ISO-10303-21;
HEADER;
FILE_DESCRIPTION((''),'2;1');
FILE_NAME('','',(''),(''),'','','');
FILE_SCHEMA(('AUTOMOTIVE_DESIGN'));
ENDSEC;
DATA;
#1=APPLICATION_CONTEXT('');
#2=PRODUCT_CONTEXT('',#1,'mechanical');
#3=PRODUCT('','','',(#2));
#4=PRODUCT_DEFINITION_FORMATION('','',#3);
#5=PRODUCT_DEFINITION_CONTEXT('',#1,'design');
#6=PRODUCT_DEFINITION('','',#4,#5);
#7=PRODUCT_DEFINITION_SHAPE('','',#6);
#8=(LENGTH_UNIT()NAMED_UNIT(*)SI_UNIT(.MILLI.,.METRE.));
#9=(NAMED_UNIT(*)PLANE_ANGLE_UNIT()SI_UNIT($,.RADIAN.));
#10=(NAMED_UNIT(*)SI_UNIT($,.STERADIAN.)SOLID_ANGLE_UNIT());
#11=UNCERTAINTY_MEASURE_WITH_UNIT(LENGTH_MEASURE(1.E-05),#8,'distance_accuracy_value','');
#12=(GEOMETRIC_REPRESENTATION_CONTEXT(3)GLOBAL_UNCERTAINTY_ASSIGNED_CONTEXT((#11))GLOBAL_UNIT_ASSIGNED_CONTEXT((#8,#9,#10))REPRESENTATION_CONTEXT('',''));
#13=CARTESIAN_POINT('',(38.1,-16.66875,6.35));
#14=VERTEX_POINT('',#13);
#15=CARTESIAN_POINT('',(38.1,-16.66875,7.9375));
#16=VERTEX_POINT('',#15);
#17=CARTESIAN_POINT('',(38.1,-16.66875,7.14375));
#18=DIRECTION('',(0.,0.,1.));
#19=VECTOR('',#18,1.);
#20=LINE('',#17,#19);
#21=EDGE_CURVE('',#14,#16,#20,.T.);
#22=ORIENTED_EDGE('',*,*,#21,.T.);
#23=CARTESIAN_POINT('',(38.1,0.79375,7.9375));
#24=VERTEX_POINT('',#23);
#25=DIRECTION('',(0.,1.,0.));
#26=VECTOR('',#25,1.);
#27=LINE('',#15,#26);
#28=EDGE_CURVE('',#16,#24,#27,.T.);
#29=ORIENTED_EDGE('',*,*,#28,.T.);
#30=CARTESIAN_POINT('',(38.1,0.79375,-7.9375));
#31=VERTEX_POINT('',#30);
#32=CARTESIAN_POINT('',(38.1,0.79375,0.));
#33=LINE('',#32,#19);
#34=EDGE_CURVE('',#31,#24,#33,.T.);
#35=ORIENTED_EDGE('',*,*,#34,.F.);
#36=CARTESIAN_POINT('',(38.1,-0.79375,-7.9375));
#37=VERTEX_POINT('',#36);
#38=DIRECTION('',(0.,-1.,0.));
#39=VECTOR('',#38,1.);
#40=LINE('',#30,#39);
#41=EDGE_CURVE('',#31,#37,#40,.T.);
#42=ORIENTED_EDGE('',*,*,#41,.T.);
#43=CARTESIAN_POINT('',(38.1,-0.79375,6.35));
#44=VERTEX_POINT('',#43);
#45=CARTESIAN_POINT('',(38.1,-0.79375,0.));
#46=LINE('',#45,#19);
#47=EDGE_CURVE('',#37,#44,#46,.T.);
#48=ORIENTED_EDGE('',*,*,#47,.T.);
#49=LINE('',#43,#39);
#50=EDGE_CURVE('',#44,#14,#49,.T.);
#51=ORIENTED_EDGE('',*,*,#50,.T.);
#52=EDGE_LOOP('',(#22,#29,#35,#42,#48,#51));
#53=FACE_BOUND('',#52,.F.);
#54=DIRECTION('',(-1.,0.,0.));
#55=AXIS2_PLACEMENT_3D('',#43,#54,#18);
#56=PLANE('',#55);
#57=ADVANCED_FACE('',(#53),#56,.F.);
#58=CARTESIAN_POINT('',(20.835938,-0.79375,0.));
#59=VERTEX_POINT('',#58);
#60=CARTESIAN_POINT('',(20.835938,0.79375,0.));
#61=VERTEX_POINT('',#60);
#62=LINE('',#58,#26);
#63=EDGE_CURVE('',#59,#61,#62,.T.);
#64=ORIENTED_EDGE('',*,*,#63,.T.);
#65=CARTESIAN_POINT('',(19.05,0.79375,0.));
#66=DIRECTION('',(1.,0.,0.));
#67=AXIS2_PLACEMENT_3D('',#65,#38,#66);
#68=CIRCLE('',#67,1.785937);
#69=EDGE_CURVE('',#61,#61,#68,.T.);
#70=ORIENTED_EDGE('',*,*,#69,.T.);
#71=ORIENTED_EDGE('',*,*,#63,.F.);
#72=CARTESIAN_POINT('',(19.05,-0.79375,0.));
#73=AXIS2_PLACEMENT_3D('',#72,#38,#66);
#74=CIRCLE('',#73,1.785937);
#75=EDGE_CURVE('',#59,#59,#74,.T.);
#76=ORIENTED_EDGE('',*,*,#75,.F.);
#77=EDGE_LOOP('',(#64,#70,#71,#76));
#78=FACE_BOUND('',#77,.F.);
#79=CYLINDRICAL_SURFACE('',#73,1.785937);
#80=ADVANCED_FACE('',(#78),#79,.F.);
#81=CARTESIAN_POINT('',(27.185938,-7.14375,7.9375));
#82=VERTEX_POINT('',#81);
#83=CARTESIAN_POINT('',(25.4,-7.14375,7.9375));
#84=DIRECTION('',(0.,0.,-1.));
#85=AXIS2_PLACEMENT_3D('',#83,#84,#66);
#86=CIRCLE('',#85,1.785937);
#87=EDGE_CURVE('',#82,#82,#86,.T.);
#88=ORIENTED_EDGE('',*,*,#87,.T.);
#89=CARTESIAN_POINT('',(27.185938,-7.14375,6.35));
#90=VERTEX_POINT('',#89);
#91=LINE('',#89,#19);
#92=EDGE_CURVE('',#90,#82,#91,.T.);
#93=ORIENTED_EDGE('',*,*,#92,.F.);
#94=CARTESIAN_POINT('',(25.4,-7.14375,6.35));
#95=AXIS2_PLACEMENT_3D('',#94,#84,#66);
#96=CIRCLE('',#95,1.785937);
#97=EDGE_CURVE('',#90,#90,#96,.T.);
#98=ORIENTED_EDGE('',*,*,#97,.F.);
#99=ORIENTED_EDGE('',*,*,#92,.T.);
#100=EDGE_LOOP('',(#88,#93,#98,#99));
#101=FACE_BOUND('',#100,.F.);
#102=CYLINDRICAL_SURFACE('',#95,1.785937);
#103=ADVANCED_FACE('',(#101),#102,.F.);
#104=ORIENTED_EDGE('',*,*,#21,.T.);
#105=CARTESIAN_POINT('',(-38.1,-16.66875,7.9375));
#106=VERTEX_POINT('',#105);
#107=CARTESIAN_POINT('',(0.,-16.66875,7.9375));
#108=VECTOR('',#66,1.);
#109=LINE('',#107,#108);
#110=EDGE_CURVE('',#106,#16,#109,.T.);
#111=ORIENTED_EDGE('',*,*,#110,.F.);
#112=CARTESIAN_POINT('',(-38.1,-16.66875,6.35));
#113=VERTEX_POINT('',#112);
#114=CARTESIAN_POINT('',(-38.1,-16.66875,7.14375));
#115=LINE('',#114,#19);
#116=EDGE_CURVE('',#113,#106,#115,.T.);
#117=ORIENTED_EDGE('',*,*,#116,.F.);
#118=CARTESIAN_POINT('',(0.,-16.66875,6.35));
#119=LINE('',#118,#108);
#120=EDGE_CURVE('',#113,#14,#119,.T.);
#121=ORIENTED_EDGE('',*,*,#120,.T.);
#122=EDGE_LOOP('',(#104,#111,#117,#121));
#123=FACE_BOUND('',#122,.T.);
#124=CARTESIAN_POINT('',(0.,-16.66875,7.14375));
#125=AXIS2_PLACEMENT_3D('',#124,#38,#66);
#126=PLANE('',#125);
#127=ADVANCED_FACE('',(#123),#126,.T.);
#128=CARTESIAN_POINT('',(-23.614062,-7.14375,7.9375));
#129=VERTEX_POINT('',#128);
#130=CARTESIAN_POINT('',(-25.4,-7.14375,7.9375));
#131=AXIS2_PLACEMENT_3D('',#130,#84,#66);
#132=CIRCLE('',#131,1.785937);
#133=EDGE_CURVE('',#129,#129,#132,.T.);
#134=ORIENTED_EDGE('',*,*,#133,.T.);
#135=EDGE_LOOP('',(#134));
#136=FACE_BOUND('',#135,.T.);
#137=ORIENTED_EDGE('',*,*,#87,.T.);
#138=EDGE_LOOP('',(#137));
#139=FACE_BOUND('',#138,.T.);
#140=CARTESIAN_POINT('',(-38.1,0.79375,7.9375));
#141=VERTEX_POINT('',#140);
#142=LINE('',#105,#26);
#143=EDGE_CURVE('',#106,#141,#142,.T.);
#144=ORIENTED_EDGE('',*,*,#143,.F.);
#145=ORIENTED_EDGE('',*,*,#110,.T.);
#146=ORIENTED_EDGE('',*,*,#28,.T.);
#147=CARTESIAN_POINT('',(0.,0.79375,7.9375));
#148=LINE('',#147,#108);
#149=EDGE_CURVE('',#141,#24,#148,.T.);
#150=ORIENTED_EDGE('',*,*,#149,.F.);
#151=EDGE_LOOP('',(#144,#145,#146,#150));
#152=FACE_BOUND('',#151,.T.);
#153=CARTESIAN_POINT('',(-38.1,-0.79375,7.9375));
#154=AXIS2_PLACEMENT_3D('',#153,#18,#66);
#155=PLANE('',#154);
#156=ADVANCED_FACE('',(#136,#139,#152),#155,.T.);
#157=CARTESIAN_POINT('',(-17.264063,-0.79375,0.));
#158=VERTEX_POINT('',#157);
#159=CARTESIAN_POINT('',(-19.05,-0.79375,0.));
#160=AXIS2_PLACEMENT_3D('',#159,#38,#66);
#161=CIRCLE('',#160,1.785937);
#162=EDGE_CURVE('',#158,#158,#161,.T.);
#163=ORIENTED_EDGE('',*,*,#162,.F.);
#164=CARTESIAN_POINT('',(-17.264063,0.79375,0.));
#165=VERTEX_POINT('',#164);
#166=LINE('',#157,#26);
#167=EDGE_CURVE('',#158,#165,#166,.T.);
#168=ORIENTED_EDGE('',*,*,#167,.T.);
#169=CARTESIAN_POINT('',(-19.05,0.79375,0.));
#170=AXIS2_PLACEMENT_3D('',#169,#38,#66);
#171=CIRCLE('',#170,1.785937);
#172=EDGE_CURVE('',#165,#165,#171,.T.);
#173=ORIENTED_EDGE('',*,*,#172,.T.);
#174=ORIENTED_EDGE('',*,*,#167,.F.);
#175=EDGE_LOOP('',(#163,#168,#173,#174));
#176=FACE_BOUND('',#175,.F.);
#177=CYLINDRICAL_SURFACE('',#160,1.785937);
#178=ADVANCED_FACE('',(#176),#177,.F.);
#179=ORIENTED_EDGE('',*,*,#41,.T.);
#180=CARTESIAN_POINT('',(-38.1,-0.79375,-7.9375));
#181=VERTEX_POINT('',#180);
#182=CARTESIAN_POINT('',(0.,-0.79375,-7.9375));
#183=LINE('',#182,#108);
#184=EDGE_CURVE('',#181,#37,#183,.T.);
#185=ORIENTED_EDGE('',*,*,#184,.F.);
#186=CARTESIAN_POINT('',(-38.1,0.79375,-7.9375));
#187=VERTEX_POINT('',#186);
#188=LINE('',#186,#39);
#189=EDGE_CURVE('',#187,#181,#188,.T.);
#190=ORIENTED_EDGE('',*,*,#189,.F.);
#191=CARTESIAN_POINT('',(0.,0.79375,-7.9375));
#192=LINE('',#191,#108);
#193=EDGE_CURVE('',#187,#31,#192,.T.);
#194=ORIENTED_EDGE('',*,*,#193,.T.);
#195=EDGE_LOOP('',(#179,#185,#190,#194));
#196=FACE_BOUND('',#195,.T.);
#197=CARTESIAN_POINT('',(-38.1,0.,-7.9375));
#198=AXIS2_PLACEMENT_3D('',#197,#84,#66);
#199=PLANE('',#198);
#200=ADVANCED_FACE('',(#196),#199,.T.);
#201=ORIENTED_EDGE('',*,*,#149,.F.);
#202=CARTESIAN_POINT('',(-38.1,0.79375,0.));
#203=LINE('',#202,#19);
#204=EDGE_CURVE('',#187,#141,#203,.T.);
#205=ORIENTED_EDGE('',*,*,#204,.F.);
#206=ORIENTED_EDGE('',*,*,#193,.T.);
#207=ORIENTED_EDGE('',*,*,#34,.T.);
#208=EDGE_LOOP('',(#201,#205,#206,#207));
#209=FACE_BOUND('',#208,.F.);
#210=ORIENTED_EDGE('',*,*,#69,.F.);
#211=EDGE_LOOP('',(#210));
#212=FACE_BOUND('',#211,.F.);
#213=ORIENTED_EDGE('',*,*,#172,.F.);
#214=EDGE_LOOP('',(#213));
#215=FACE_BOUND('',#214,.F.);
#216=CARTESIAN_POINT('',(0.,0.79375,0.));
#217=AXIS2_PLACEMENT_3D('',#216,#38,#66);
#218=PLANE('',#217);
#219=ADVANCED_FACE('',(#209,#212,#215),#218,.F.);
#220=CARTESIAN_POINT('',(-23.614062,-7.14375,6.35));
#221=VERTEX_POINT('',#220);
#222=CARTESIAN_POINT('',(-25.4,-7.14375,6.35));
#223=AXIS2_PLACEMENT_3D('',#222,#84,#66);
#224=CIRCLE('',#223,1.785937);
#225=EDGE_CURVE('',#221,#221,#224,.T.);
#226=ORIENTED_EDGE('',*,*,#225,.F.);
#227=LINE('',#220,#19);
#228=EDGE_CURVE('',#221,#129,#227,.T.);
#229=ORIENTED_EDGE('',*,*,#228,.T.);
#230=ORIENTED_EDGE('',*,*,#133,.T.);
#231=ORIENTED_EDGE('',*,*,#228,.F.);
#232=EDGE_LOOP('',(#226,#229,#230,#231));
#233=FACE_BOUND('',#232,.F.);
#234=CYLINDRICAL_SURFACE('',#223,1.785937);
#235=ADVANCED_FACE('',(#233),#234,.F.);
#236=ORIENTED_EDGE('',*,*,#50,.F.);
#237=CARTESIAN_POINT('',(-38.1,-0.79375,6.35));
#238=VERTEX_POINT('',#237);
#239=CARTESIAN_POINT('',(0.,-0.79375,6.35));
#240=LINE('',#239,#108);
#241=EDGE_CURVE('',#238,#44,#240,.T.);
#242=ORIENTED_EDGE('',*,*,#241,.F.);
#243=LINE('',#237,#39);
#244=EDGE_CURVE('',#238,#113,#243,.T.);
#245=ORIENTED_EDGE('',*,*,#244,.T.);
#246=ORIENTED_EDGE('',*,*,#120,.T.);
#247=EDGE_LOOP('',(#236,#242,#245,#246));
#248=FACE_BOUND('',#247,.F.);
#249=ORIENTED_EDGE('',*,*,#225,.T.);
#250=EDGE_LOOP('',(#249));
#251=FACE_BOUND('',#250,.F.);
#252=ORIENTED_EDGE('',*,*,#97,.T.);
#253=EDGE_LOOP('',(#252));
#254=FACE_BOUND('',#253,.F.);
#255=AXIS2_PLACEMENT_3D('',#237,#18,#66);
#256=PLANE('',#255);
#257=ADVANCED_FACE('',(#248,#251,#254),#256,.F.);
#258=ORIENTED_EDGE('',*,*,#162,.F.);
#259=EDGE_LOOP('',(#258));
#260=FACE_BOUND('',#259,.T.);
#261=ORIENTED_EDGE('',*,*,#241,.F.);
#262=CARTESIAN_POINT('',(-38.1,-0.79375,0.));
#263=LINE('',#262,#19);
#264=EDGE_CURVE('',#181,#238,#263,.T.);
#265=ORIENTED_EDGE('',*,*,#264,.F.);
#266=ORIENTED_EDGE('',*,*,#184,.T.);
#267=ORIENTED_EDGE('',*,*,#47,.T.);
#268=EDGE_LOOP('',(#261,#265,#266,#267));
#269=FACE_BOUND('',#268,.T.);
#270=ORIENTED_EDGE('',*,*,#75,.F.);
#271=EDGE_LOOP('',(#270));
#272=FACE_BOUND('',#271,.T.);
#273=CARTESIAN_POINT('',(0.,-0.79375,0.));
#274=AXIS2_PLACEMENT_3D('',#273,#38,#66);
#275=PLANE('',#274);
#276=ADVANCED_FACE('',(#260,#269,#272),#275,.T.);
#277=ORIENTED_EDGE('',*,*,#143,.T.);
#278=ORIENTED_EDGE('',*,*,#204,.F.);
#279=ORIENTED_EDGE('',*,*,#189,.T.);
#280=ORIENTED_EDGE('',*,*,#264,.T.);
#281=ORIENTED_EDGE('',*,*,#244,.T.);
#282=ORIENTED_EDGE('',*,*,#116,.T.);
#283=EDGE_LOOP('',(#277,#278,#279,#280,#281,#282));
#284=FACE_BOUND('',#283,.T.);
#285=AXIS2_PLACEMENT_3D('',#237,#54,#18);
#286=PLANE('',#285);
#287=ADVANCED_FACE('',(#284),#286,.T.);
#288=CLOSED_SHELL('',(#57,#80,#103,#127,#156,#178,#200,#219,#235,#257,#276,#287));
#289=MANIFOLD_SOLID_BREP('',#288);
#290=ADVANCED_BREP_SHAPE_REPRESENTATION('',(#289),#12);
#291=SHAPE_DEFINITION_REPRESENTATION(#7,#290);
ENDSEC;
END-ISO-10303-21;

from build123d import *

# Parameters (mm, degrees)
F0_W      = 76.2
F0_H      = 15.875
F1_DEPTH  = 0.79375
F2_R      = 1.7859375
F3_DEPTH  = 1.5885
F4_R      = 1.7859375
F5_DEPTH  = 1.5885
F6_W      = 76.2
F6_H      = 1.5875
F7_DEPTH  = 15.875
F8_R      = 1.7859375
F9_DEPTH  = 1.5885
F10_R     = 1.7859375
F11_DEPTH = 1.5885


with BuildPart() as f1:
    # F0 (on Front) → F1 (new body, symmetric)
    with BuildSketch(Plane.XZ):
        Rectangle(F0_W, F0_H)
    extrude(amount=F1_DEPTH, both=True)

    # F2 (on face) → F3 (cut, through all)
    with BuildSketch(Plane.XZ.offset(0.79375)):
        with Locations((-19.05, 0)):
            Circle(F2_R)
    extrude(amount=-F3_DEPTH, mode=Mode.SUBTRACT)

    # F4 (on face) → F5 (cut, through all)
    with BuildSketch(Plane.XZ.offset(0.79375)):
        with Locations((19.05, 0)):
            Circle(F4_R)
    extrude(amount=-F5_DEPTH, mode=Mode.SUBTRACT)

    # F6 (on face) → F7 (join)
    with BuildSketch(Plane.XZ.offset(0.79375)):
        with Locations((0, 7.14375)):
            Rectangle(F6_W, F6_H)
    extrude(amount=F7_DEPTH)

    # F8 (on face) → F9 (cut, through all)
    with BuildSketch(Plane(origin=(0, 0, 6.35), x_dir=(1, 0, 0), z_dir=(0, 0, -1))):
        with Locations((-25.4, 7.14375)):
            Circle(F8_R)
    extrude(amount=-F9_DEPTH, mode=Mode.SUBTRACT)

    # F10 (on face) → F11 (cut, through all)
    with BuildSketch(Plane(origin=(0, 0, 6.35), x_dir=(1, 0, 0), z_dir=(0, 0, -1))):
        with Locations((25.4, 7.14375)):
            Circle(F10_R)
    extrude(amount=-F11_DEPTH, mode=Mode.SUBTRACT)


solid = f1.part
